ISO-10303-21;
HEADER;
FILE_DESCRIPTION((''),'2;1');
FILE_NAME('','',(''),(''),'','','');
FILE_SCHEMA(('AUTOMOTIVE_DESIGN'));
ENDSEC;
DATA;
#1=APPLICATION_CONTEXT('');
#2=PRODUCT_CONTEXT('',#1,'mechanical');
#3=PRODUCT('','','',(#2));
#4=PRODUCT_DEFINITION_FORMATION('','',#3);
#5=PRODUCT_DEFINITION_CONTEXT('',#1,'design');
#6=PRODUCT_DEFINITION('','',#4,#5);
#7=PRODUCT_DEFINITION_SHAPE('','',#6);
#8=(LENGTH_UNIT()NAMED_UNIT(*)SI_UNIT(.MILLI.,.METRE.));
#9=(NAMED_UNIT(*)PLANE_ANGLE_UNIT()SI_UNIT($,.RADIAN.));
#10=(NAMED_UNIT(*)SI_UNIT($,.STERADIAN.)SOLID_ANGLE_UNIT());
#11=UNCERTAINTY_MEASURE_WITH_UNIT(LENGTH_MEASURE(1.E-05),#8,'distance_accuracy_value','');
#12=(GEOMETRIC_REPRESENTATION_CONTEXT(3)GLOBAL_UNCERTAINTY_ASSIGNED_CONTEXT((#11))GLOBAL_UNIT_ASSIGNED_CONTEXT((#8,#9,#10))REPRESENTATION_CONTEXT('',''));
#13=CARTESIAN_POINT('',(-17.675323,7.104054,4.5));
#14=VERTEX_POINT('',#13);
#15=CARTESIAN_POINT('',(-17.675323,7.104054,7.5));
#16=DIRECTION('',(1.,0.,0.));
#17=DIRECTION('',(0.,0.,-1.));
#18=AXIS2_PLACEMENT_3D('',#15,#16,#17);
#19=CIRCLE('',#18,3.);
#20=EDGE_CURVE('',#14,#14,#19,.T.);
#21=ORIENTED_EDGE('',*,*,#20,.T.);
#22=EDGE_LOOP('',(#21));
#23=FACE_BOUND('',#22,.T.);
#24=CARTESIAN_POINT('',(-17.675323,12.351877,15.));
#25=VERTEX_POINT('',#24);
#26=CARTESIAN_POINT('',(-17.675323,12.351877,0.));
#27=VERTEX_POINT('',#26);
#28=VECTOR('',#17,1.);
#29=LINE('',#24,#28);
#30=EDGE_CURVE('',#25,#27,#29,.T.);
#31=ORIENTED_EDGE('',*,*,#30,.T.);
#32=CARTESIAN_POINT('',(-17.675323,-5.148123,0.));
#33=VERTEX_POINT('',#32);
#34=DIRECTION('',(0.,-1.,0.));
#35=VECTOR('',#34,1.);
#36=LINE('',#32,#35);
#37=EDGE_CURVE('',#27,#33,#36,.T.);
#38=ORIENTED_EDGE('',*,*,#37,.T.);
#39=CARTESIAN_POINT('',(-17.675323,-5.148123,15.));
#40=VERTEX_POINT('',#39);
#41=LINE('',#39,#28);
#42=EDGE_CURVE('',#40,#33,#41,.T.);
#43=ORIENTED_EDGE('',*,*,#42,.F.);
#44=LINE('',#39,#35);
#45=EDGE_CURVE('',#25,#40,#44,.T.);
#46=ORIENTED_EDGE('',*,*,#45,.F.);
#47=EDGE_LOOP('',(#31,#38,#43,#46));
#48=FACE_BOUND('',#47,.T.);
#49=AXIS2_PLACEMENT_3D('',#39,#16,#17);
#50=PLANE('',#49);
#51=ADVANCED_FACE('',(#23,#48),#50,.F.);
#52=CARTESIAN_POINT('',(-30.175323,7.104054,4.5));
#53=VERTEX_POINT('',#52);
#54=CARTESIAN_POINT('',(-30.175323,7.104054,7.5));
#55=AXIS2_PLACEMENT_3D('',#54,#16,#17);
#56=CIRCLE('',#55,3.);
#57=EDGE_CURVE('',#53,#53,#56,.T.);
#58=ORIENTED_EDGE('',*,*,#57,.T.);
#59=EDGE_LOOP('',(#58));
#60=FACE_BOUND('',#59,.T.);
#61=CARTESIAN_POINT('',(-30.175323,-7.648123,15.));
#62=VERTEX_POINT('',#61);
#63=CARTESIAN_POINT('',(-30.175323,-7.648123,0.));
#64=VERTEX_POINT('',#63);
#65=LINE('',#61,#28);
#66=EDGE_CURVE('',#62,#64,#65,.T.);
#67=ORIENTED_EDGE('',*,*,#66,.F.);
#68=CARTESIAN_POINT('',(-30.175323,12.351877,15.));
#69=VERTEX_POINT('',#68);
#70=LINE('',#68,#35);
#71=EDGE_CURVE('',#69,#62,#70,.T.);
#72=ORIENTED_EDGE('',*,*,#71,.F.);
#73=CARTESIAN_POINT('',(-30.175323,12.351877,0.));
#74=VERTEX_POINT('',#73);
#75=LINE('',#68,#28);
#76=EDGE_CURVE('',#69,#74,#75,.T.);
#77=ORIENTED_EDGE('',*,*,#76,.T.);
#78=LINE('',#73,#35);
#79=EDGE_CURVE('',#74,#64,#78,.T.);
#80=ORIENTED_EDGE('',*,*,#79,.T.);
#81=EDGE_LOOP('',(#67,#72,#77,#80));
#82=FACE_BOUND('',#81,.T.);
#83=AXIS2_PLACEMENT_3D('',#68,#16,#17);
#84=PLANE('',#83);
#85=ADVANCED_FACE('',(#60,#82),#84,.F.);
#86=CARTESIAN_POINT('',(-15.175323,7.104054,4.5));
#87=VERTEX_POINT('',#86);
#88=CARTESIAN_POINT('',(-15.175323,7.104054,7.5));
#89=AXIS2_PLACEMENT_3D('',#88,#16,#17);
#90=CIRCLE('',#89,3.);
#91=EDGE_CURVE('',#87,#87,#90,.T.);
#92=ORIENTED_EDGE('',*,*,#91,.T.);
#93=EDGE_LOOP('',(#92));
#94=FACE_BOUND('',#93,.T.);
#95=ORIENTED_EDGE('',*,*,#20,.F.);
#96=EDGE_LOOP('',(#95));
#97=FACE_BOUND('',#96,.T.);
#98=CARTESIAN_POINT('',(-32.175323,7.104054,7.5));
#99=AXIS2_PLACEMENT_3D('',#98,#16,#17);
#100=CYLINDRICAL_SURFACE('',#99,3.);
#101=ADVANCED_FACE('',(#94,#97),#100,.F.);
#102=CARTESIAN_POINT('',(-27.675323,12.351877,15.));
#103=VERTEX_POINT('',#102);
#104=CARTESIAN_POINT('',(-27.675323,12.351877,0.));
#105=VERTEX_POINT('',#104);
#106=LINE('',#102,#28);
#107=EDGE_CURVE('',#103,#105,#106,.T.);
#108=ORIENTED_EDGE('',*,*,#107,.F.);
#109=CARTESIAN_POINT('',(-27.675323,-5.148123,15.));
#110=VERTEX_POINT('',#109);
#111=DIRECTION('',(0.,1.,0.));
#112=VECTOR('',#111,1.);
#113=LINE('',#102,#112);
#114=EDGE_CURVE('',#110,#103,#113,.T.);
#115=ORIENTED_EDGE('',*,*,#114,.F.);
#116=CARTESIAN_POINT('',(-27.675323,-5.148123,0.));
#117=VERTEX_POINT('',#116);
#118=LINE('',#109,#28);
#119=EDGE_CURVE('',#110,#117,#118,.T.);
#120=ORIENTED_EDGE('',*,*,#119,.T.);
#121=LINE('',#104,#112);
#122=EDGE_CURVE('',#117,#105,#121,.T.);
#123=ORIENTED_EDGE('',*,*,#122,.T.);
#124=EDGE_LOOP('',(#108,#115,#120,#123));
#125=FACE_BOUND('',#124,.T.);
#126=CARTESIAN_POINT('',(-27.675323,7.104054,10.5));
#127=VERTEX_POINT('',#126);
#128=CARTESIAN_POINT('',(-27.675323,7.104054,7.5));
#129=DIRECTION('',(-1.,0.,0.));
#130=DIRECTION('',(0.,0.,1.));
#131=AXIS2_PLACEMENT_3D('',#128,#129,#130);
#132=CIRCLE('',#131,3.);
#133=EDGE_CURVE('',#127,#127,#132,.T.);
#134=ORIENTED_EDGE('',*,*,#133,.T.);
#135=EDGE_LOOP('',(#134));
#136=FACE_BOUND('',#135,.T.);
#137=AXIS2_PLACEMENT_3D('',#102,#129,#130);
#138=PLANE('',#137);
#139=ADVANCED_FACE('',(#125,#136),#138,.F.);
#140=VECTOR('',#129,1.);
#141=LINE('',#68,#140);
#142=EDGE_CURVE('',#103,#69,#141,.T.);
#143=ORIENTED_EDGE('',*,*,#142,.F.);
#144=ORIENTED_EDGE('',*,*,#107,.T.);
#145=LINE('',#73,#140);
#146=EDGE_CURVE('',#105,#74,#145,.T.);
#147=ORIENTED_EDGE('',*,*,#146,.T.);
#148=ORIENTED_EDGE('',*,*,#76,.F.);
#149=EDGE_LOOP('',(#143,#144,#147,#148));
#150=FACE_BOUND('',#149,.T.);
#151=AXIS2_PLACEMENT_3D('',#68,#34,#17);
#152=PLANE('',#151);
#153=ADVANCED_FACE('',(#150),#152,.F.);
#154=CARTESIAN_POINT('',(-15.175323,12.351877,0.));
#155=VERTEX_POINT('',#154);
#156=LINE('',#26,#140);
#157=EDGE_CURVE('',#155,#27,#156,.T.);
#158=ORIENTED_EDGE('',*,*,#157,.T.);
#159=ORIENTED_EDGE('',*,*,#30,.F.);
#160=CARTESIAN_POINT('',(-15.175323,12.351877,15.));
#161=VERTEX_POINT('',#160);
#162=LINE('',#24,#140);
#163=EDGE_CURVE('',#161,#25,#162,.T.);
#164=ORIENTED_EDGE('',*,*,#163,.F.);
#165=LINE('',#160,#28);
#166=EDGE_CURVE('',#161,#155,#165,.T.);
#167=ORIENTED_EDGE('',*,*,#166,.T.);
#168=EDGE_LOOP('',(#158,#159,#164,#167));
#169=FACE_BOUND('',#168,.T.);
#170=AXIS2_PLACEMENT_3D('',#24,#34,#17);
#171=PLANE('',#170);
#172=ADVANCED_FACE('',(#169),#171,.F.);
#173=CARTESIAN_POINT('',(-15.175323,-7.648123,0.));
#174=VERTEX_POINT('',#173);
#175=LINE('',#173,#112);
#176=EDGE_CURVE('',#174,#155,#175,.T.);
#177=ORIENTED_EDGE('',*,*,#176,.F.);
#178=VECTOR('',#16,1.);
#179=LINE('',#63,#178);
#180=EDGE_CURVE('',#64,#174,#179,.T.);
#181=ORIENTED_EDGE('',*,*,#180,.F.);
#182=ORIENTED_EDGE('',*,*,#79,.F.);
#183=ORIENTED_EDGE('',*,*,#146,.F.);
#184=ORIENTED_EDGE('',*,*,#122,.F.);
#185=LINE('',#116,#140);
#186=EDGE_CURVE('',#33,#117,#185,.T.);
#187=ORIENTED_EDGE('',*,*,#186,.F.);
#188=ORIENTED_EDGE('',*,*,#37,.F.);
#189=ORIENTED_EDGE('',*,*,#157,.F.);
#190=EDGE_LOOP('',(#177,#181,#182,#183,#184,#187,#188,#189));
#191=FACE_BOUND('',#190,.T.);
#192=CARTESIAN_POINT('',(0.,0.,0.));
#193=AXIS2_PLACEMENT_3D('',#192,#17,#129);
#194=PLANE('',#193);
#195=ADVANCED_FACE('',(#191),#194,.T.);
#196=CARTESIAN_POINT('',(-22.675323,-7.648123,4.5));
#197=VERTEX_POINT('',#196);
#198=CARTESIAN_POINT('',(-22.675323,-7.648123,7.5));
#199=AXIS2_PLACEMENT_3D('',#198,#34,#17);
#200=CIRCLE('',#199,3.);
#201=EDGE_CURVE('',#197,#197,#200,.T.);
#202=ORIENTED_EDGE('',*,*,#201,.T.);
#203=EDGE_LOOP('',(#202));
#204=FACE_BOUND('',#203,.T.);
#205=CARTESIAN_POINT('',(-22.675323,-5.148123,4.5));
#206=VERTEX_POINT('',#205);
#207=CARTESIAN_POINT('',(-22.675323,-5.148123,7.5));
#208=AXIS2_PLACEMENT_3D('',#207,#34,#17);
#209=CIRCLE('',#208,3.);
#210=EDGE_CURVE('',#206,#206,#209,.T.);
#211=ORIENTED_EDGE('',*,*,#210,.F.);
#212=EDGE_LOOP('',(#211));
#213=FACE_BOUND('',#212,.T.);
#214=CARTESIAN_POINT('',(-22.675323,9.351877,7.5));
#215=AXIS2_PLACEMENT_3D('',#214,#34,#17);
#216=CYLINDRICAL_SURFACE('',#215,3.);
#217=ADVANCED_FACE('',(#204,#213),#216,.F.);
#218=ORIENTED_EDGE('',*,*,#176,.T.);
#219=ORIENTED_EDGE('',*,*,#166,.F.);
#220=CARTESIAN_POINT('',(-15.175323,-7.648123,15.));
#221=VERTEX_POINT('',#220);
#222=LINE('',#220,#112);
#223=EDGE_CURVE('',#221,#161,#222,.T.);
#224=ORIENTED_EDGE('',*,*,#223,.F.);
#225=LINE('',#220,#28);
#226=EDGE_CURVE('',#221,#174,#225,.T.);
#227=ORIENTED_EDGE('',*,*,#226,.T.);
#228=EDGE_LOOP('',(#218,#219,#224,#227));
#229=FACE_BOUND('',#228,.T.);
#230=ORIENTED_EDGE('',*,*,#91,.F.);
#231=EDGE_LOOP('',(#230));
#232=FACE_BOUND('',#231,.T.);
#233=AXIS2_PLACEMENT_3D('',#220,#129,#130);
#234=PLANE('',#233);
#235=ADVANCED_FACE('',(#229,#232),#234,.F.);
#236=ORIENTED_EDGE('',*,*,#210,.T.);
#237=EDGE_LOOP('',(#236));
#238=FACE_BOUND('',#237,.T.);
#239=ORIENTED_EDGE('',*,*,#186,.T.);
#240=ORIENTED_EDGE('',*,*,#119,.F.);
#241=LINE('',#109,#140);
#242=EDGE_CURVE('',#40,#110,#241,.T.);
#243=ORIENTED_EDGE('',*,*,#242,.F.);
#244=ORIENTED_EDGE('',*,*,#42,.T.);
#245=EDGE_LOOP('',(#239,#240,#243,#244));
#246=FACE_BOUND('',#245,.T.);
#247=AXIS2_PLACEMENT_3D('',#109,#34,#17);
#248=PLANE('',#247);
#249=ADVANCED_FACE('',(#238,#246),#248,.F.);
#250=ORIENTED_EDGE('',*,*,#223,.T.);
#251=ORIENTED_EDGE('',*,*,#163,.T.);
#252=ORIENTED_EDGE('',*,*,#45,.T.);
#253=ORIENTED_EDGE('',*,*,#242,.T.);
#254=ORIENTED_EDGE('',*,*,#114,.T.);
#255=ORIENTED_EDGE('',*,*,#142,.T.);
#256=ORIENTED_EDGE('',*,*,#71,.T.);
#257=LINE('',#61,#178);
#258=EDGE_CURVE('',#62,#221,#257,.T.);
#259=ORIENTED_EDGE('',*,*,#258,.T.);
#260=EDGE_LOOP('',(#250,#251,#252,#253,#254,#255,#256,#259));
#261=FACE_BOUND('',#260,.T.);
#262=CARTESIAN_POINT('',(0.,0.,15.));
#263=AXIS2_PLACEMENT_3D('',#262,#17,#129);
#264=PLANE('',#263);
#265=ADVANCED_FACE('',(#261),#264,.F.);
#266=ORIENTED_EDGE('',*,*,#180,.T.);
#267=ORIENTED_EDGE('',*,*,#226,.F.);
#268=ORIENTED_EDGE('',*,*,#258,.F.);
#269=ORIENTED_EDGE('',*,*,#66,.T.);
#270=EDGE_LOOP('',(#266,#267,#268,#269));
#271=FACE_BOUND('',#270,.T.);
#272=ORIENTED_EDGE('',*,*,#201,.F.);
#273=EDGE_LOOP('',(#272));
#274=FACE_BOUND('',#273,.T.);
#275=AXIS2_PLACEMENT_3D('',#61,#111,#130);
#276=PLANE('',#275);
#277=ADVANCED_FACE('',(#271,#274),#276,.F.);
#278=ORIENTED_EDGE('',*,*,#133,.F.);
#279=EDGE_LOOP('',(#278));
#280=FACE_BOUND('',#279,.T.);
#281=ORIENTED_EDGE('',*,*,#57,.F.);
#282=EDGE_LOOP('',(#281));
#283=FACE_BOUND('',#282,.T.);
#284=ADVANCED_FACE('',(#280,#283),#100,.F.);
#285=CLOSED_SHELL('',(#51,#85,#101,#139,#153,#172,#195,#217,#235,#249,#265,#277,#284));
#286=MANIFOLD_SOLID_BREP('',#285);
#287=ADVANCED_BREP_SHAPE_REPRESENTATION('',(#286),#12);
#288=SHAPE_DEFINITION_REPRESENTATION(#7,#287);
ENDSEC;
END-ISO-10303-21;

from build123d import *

# Parameters (mm, degrees)
BOSS_EXTRUDE1_DEPTH = 15
SKETCH2_R           = 3
CUT_EXTRUDE1_DEPTH  = 17
SKETCH3_R           = 3
CUT_EXTRUDE2_DEPTH  = 17


with BuildPart() as part:
    # Sketch1 → Boss-Extrude1 (new body)
    with BuildSketch(Plane.XY):
        Polygon((-30.175322727, 12.351876728), (-30.175322727, -7.648123272), (-15.175322727, -7.648123272), (-15.175322727, 12.351876728), (-17.675322727, 12.351876728), (-17.675322727, -5.148123272), (-27.675322727, -5.148123272), (-27.675322727, 12.351876728), align=None)
    extrude(amount=BOSS_EXTRUDE1_DEPTH)

    # Sketch2 → Cut-Extrude1 (cut)
    with BuildSketch(Plane(origin=(-15.175322727, 0, 0), x_dir=(0, 0, -1), z_dir=(1, 0, 0))):
        with Locations((-7.5, 7.104053692)):
            Circle(SKETCH2_R)
    extrude(amount=-CUT_EXTRUDE1_DEPTH, mode=Mode.SUBTRACT)

    # Sketch3 → Cut-Extrude2 (cut)
    with BuildSketch(Plane(origin=(0, -7.648123272, 0), x_dir=(-1, 0, 0), z_dir=(0, -1, 0))):
        with Locations(Location((22.675322727, -7.5, 0), (0, 0, 90))):
            Circle(SKETCH3_R)
    extrude(amount=-CUT_EXTRUDE2_DEPTH, mode=Mode.SUBTRACT)


solid = part.part
